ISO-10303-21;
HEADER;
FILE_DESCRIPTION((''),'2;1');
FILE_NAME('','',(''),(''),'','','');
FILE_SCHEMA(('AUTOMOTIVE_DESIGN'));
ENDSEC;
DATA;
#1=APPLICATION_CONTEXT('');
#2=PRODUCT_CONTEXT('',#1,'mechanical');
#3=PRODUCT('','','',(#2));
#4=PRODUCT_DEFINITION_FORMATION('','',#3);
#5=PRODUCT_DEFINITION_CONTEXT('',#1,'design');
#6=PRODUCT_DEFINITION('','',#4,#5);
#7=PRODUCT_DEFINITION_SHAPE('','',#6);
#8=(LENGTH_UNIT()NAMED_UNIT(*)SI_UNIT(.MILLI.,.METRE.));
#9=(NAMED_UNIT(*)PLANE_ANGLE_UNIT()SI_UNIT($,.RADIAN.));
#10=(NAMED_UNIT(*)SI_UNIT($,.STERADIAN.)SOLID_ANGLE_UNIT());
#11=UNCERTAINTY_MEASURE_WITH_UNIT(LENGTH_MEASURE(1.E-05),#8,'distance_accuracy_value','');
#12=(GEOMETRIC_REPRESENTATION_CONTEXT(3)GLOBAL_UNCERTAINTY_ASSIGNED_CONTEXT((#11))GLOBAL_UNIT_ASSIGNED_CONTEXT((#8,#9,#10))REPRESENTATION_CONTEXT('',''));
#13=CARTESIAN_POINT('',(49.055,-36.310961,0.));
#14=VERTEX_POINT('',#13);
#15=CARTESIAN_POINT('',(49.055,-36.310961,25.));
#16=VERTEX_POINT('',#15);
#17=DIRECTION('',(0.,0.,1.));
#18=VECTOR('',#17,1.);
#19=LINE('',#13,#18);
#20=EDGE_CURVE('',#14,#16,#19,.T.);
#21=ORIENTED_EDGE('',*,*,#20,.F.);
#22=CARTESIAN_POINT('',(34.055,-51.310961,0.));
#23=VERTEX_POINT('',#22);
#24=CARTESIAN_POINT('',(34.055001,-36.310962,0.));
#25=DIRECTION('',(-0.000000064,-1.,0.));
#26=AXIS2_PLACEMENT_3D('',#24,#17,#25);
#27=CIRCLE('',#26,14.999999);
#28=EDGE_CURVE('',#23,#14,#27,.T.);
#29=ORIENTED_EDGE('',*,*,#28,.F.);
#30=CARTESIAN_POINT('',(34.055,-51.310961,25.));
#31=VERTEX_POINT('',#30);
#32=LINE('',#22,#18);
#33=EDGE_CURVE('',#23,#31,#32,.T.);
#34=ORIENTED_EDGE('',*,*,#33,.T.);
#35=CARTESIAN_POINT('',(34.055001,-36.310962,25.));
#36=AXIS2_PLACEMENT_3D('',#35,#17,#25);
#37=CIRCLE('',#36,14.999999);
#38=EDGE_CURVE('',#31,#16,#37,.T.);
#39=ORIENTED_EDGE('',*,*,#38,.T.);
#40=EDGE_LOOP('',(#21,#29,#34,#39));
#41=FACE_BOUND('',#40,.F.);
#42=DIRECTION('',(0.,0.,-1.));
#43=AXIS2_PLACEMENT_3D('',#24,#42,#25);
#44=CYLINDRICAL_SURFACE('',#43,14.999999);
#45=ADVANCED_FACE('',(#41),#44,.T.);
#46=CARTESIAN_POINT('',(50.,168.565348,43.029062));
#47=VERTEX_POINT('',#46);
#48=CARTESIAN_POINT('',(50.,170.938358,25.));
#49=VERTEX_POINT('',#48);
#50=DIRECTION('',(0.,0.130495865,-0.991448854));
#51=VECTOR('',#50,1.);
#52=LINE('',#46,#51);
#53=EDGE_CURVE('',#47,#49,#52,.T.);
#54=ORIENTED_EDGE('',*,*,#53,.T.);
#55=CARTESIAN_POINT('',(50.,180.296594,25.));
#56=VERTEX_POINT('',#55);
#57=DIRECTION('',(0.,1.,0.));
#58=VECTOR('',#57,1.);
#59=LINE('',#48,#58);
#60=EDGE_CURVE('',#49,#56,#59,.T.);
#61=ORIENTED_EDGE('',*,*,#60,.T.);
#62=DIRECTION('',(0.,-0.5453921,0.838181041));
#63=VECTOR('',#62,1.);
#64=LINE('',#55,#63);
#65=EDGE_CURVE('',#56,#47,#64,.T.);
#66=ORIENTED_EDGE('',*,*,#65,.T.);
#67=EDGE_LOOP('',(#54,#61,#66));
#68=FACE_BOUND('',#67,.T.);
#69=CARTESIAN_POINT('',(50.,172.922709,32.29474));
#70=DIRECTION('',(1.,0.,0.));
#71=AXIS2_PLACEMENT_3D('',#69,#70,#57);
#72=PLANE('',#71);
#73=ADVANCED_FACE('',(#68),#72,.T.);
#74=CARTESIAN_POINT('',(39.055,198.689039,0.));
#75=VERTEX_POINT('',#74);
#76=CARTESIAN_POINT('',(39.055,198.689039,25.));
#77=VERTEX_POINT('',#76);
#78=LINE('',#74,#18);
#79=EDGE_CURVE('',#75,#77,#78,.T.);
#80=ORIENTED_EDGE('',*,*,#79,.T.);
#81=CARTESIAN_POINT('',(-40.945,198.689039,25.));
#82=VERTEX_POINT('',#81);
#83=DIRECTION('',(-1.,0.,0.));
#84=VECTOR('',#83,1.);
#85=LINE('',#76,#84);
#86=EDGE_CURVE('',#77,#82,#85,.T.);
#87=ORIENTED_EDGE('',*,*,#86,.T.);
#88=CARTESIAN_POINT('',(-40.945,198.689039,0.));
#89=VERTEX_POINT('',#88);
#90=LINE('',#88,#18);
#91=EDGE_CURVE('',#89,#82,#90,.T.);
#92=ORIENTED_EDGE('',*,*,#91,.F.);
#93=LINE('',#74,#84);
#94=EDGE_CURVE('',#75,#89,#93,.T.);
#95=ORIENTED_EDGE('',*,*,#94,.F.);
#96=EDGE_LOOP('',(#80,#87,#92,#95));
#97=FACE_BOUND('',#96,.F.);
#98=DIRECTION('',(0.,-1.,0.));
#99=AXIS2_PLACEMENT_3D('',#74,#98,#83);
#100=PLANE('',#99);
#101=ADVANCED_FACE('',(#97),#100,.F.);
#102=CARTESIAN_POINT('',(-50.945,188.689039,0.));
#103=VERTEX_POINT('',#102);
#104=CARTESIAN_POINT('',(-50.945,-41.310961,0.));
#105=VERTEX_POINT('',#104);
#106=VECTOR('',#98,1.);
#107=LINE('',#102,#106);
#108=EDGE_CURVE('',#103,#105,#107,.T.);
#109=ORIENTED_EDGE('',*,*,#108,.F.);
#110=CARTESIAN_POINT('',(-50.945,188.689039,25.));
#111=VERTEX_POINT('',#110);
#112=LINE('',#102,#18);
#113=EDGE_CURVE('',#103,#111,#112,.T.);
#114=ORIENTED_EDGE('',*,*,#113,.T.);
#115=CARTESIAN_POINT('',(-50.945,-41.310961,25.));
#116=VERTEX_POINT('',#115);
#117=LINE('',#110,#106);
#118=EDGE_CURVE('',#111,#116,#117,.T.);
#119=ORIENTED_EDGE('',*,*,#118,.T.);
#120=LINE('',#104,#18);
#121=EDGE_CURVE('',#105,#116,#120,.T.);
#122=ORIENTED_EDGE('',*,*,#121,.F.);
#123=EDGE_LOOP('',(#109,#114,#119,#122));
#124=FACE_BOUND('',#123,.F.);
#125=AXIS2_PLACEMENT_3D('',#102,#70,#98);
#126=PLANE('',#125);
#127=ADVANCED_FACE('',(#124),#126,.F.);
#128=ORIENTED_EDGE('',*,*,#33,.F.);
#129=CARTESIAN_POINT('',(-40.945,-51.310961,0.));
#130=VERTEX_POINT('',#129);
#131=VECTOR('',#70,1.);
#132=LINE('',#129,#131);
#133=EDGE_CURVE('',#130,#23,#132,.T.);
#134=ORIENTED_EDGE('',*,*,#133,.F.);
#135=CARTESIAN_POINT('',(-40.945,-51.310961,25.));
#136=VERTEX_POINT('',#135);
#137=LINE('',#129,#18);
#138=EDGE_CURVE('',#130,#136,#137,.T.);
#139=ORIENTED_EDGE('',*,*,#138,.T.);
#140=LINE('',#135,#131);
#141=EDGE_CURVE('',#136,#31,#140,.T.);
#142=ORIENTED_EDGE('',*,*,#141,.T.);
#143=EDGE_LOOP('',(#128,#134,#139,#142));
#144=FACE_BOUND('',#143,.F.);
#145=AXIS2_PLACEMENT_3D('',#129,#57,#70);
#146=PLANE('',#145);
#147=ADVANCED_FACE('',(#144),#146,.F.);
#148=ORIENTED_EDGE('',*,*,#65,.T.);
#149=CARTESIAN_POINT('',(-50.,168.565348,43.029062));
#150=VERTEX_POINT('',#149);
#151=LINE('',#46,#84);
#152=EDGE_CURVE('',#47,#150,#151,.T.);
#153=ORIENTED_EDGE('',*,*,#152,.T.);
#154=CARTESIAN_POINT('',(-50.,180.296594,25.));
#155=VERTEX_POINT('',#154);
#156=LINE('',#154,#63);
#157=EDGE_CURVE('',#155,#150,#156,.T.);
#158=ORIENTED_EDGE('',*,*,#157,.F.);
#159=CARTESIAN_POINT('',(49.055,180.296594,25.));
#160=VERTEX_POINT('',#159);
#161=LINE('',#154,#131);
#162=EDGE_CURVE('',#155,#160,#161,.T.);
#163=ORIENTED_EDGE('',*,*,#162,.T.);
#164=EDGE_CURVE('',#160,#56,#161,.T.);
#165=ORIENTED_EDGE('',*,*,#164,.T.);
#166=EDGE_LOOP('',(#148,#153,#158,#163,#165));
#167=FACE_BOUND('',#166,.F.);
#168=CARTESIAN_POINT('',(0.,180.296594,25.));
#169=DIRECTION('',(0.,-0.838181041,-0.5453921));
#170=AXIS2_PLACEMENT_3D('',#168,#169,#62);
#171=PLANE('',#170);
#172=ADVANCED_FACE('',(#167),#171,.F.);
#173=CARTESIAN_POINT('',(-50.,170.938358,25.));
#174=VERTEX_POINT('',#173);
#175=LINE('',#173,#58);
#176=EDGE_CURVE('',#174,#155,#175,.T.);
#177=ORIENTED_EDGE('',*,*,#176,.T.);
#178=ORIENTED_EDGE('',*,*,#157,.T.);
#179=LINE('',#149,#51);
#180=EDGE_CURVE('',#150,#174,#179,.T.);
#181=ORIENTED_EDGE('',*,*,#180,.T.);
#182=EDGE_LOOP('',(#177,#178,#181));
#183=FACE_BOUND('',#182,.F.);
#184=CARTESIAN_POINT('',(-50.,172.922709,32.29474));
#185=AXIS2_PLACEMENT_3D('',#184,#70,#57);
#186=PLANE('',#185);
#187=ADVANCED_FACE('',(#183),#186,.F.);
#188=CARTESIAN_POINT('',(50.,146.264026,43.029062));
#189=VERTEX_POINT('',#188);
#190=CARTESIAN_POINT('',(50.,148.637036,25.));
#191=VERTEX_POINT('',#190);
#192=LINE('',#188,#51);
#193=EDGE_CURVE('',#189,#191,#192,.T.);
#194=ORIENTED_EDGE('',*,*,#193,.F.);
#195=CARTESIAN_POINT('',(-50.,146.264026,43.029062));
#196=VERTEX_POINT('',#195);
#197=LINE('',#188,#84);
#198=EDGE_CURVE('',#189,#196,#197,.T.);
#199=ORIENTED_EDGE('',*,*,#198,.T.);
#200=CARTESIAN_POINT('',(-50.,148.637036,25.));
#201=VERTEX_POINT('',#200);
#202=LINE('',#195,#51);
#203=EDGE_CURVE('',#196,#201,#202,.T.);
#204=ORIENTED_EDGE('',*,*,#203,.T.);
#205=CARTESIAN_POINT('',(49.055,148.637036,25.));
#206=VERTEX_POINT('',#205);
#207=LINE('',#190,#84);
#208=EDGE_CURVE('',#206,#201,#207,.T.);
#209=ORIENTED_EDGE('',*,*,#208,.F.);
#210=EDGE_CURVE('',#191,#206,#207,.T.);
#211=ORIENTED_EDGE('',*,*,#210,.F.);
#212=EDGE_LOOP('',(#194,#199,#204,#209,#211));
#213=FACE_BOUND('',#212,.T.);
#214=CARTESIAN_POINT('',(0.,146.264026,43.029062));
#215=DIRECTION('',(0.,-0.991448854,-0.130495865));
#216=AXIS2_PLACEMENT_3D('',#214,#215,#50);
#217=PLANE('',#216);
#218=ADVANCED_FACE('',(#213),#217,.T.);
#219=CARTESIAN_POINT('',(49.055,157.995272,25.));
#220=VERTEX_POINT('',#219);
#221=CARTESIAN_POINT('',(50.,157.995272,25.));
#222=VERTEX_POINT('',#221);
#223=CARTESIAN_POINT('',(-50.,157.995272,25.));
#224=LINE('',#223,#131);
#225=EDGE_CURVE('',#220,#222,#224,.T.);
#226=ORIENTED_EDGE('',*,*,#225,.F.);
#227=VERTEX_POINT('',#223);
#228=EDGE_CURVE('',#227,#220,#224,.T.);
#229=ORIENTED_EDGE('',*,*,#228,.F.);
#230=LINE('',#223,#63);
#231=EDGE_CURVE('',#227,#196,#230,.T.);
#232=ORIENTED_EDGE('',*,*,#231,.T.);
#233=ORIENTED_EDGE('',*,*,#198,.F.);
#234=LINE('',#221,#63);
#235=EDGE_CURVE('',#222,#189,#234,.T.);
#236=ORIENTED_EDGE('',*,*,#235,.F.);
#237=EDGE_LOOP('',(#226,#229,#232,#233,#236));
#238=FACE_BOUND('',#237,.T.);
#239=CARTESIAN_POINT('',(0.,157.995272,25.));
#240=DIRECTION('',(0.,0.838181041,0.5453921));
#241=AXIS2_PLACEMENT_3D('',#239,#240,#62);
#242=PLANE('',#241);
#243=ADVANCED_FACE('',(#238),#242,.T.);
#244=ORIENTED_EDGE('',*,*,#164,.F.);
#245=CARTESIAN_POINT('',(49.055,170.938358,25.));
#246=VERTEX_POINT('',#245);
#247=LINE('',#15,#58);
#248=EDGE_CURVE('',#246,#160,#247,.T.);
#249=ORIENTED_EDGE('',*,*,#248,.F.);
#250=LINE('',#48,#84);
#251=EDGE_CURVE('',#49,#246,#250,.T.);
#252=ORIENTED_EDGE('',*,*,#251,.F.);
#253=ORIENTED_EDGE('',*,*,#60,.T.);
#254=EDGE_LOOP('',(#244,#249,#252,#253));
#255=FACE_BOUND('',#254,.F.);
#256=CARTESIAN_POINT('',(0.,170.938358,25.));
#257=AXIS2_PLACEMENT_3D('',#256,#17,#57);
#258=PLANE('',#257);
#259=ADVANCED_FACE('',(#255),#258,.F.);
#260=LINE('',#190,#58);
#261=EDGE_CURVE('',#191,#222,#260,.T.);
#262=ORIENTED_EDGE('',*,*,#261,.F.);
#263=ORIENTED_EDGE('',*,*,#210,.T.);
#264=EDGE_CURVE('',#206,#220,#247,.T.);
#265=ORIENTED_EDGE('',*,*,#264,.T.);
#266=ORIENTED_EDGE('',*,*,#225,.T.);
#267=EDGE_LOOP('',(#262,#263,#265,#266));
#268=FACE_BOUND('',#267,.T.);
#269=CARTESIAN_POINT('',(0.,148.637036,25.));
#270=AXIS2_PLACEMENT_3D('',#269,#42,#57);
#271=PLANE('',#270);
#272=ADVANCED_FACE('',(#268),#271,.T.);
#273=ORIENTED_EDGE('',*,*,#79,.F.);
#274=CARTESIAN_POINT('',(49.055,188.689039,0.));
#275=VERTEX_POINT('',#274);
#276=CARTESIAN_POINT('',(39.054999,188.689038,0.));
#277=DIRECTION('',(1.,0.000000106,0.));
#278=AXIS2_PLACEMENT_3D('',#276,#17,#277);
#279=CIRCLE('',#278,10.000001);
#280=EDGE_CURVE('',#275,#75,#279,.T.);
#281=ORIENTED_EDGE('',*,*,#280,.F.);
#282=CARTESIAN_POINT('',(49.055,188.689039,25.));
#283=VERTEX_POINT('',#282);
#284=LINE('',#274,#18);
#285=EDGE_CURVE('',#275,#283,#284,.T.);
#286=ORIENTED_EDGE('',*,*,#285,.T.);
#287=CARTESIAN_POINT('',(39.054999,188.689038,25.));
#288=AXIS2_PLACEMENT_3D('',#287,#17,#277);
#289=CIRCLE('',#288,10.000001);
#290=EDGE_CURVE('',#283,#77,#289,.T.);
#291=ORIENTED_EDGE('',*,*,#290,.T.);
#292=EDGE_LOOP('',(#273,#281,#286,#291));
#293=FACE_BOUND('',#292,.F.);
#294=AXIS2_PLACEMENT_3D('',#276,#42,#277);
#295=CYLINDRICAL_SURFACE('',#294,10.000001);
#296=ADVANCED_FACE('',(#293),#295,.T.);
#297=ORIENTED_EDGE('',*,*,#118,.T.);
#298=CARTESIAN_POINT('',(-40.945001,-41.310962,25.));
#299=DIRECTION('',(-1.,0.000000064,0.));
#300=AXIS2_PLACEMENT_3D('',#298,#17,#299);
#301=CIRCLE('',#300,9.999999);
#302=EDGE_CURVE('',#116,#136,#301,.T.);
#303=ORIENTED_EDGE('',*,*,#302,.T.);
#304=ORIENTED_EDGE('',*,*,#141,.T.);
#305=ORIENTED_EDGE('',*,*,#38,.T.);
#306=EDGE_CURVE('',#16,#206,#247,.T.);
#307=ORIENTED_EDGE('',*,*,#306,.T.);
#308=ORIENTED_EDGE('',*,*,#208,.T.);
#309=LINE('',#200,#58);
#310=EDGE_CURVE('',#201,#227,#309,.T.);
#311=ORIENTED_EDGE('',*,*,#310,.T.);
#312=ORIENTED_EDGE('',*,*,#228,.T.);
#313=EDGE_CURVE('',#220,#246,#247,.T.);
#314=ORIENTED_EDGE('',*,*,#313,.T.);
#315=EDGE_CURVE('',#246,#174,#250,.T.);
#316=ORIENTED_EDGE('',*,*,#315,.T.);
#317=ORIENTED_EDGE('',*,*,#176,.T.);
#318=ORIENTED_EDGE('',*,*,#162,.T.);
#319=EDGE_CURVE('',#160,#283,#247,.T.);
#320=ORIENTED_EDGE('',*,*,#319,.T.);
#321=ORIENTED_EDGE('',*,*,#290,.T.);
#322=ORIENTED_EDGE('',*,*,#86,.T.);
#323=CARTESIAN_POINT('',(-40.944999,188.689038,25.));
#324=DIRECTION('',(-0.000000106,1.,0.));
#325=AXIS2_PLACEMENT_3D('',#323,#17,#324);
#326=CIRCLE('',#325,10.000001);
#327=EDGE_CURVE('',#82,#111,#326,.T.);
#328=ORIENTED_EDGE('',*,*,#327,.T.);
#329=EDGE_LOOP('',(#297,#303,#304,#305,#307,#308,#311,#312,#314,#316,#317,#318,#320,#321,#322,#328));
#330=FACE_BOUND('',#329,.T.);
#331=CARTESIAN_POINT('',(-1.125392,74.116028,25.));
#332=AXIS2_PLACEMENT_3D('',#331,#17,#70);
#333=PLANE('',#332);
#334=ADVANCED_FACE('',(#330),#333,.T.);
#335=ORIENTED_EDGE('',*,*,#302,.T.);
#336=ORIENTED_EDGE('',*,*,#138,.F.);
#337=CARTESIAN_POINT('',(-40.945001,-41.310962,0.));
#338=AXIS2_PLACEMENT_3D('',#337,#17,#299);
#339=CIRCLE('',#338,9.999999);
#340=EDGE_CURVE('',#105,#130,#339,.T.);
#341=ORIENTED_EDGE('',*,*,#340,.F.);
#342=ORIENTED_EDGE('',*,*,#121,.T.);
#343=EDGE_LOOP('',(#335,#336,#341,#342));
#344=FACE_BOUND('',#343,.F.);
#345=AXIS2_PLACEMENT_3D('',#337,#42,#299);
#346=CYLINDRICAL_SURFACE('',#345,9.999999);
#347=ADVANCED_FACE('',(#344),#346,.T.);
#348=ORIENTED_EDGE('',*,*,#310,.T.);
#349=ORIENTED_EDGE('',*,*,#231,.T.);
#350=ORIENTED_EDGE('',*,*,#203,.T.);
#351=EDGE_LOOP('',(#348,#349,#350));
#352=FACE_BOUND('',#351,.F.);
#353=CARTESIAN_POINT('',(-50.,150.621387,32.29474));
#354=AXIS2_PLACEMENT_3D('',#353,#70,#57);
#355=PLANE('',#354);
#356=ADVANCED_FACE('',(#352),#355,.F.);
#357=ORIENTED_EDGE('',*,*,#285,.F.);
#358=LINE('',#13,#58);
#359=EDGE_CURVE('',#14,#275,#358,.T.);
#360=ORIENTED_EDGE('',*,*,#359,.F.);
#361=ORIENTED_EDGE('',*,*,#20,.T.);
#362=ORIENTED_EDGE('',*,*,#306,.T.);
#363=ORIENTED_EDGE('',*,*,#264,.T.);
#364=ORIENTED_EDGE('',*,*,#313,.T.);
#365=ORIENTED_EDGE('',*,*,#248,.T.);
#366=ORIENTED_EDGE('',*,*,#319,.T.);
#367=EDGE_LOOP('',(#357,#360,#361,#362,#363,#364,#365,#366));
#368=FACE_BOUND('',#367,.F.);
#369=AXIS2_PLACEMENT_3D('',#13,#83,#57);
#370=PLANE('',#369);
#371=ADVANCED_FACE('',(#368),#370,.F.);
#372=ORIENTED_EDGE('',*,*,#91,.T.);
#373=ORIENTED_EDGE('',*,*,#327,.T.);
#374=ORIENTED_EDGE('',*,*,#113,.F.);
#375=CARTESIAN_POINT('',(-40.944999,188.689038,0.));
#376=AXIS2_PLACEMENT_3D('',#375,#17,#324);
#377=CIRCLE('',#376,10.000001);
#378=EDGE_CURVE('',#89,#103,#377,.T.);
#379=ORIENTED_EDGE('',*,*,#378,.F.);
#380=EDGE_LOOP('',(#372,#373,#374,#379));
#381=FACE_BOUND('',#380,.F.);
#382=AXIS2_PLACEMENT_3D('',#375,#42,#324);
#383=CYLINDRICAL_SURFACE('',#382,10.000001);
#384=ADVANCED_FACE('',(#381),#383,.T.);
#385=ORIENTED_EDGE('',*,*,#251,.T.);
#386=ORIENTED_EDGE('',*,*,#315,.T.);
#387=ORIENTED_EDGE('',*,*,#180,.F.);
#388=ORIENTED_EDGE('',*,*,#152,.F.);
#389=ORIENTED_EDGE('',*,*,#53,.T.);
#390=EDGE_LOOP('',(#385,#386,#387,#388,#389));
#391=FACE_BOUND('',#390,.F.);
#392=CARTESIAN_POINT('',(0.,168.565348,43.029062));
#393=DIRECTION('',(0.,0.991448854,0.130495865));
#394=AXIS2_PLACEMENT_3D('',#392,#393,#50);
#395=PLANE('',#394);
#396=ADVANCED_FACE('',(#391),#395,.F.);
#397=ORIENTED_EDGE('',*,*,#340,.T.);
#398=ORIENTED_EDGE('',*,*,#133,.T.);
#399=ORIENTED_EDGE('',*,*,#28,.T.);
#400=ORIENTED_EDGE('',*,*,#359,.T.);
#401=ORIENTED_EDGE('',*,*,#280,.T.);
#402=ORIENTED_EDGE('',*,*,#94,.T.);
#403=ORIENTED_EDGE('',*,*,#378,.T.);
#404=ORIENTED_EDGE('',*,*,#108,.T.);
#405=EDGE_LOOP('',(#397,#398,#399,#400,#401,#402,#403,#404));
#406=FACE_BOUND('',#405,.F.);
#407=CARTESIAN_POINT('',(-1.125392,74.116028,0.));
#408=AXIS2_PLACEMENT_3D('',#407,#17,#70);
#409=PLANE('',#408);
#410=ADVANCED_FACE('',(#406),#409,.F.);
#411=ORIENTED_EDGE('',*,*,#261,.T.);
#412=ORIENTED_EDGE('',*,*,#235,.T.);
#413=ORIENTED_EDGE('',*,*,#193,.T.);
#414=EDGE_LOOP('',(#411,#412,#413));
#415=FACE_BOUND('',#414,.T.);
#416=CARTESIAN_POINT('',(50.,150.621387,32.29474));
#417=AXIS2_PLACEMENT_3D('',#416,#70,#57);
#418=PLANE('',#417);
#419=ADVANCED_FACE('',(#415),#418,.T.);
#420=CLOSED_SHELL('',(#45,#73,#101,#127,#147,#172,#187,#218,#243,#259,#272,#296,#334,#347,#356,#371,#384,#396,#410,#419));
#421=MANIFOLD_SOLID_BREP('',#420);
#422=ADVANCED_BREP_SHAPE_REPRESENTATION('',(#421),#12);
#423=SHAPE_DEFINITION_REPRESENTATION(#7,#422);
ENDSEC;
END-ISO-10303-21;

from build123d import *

# Parameters (mm, degrees)
F2_DEPTH = 25
F3_DEPTH = 50


with BuildPart() as f2:
    # F1 (on Top) → F2 (new body)
    with BuildSketch(Plane.XY):
        with BuildLine():
            Line((39.055, 198.689039), (-40.945, 198.689039))
            ThreePointArc((-40.945, 198.689039), (-48.016068, 195.760106), (-50.945, 188.689039))
            Line((-50.945, 188.689039), (-50.945, -41.310961))
            ThreePointArc((-50.945, -41.310961), (-48.016068, -48.382029), (-40.945, -51.310961))
            Line((-40.945, -51.310961), (34.055, -51.310961))
            ThreePointArc((34.055, -51.310961), (44.661602, -46.917563), (49.055, -36.310961))
            Line((49.055, -36.310961), (49.055, 188.689039))
            ThreePointArc((49.055, 188.689039), (46.126068, 195.760106), (39.055, 198.689039))
        make_face()
    extrude(amount=F2_DEPTH)

    # F0 (on Right) → F3 (join, symmetric)
    with BuildSketch(Plane.YZ):
        Polygon((170.938358, 25), (180.296594, 25), (168.565348, 43.029062), align=None)
        Polygon((148.637036, 25), (157.995272, 25), (146.264026, 43.029062), align=None)
    extrude(amount=F3_DEPTH, both=True)


solid = f2.part
